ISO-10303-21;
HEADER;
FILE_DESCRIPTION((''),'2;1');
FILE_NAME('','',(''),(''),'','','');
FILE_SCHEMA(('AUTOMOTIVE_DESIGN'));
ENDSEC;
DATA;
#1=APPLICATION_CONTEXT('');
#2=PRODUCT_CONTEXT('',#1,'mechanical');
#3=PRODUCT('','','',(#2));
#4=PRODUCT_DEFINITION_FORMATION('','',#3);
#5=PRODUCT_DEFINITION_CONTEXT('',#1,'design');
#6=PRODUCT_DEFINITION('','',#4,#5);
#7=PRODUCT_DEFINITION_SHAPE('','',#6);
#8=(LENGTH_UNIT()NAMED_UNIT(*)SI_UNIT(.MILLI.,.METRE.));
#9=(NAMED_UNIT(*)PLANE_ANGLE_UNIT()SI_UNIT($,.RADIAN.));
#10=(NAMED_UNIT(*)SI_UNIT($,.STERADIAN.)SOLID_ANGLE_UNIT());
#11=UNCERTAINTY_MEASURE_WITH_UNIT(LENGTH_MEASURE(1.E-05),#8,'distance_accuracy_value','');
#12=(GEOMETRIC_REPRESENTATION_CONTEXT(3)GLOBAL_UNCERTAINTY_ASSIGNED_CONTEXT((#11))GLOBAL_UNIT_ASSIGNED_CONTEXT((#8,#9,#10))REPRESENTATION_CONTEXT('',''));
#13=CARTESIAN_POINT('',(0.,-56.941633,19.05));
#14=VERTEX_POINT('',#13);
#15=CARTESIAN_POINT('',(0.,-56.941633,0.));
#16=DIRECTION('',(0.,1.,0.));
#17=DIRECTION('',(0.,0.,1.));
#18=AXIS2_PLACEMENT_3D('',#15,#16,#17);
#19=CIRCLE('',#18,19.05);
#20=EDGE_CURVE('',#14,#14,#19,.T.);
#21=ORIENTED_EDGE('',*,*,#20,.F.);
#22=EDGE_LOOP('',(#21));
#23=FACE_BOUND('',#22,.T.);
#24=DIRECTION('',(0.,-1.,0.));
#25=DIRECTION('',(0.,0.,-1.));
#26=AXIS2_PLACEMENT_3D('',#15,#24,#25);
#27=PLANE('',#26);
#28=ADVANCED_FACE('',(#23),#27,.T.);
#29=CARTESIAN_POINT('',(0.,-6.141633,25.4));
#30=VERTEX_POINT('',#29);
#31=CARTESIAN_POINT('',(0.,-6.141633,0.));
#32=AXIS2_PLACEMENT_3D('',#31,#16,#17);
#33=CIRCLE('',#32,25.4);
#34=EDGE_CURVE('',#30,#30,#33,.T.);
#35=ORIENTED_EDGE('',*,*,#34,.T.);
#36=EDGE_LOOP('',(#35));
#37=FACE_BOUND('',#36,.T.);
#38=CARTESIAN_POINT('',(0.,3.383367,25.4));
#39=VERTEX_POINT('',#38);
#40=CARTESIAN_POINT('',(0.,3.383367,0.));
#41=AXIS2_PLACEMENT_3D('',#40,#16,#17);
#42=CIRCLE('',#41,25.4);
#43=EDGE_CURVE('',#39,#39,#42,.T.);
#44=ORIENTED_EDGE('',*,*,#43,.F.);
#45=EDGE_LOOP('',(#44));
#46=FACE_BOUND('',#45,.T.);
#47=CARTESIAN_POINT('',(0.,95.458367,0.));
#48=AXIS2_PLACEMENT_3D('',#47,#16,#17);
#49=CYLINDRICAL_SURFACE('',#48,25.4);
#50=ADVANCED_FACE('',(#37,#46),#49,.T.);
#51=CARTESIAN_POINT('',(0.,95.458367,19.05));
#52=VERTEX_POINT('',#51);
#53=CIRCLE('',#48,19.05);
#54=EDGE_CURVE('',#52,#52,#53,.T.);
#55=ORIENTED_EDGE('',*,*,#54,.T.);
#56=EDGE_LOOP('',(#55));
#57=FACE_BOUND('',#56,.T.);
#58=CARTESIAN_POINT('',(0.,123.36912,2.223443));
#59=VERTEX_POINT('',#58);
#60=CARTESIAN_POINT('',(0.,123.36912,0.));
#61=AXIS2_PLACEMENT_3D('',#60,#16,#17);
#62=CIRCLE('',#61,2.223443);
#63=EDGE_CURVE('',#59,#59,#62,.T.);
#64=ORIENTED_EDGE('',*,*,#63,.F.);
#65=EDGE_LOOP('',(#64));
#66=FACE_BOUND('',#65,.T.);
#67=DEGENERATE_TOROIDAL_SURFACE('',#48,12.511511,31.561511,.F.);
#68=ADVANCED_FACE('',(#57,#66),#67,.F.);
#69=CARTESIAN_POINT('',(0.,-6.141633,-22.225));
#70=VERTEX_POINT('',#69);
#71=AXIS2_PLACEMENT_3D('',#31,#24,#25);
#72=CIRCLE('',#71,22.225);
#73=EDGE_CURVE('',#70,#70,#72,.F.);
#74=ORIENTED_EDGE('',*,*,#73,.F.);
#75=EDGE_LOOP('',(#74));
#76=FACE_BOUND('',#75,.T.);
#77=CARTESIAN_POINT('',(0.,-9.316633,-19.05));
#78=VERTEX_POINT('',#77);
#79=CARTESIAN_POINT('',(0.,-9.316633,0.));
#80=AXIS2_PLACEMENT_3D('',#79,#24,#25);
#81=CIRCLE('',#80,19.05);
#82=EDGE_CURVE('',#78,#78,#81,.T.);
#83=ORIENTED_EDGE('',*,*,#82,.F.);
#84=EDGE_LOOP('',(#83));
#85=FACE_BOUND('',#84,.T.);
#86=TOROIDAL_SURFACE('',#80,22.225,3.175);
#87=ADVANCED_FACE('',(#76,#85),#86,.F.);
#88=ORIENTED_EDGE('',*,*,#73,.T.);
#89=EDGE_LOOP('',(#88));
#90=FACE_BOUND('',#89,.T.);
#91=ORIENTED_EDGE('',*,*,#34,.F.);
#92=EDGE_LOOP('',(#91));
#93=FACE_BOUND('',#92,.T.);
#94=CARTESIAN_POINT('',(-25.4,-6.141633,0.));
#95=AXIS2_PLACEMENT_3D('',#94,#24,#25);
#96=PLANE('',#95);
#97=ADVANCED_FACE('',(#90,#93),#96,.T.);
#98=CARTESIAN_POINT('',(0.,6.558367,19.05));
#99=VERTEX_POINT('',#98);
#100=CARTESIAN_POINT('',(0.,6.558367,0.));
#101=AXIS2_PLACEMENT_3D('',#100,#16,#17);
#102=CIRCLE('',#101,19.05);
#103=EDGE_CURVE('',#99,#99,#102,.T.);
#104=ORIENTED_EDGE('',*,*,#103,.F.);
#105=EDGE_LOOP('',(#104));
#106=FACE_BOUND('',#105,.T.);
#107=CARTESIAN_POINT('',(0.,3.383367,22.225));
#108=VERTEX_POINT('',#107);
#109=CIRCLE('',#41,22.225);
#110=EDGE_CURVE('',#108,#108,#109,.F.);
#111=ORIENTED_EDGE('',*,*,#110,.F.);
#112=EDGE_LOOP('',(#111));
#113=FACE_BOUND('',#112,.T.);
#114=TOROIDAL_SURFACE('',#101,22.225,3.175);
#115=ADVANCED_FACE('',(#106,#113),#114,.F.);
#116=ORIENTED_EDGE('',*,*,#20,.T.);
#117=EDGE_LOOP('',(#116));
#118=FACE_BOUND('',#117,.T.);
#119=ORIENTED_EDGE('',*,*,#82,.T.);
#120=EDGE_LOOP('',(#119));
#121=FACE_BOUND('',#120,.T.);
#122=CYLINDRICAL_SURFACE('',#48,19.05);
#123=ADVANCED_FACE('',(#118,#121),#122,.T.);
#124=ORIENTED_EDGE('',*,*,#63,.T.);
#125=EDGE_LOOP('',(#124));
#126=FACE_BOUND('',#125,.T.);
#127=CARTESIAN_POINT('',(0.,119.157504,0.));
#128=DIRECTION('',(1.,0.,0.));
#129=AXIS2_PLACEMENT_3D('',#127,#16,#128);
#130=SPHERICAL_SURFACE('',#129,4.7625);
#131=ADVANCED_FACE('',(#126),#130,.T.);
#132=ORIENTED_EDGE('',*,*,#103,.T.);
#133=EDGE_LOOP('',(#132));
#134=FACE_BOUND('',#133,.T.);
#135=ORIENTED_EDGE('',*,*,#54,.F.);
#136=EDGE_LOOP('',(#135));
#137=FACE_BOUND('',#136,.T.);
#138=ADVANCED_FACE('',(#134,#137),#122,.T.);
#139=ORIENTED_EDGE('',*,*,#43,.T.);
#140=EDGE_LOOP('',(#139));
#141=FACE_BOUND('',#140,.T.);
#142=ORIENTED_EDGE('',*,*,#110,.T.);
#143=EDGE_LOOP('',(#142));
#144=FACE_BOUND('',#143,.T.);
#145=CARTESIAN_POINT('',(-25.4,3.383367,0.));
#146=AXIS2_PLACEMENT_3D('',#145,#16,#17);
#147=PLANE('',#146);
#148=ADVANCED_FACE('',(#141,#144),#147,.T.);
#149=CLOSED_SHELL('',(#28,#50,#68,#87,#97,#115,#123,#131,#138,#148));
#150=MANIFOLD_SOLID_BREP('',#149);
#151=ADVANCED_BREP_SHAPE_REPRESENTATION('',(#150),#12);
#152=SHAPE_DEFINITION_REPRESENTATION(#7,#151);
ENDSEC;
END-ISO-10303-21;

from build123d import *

# Parameters (mm, degrees)
FILLET1_R = 3.175


with BuildPart() as part:
    # Sketch1 → Revolve2 (revolve)
    with BuildSketch(Plane.XY):
        with BuildLine():
            Line((-25.4, -6.141632853), (-25.4, 3.383367147))
            Line((-25.4, 3.383367147), (-19.05, 3.383367147))
            Line((-19.05, 3.383367147), (-19.05, 95.458367147))
            ThreePointArc((-19.05, 95.458367147), (-14.517976471, 111.753635849), (-2.223442899, 123.369119633))
            ThreePointArc((-2.223442899, 123.369119633), (-1.145335288, 123.78023171), (0, 123.9200038))
            Line((0, 123.9200038), (0, 95.458367147))
            Line((0, 95.458367147), (0, 0))
            Line((0, 0), (0, -56.941632853))
            Line((0, -56.941632853), (-19.05, -56.941632853))
            Line((-19.05, -56.941632853), (-19.05, -6.141632853))
            Line((-19.05, -6.141632853), (-25.4, -6.141632853))
        make_face()
    revolve(axis=Axis((0, 95.458367147, 0), (0, -1, 0)))

    # Fillet1
    fillet1_edges = [part.edges().sort_by_distance(p)[0] for p in [
        (19.05, 3.383367147, 0),
        (19.05, -6.141632853, 0),
    ]]
    fillet(fillet1_edges, radius=FILLET1_R)


solid = part.part
